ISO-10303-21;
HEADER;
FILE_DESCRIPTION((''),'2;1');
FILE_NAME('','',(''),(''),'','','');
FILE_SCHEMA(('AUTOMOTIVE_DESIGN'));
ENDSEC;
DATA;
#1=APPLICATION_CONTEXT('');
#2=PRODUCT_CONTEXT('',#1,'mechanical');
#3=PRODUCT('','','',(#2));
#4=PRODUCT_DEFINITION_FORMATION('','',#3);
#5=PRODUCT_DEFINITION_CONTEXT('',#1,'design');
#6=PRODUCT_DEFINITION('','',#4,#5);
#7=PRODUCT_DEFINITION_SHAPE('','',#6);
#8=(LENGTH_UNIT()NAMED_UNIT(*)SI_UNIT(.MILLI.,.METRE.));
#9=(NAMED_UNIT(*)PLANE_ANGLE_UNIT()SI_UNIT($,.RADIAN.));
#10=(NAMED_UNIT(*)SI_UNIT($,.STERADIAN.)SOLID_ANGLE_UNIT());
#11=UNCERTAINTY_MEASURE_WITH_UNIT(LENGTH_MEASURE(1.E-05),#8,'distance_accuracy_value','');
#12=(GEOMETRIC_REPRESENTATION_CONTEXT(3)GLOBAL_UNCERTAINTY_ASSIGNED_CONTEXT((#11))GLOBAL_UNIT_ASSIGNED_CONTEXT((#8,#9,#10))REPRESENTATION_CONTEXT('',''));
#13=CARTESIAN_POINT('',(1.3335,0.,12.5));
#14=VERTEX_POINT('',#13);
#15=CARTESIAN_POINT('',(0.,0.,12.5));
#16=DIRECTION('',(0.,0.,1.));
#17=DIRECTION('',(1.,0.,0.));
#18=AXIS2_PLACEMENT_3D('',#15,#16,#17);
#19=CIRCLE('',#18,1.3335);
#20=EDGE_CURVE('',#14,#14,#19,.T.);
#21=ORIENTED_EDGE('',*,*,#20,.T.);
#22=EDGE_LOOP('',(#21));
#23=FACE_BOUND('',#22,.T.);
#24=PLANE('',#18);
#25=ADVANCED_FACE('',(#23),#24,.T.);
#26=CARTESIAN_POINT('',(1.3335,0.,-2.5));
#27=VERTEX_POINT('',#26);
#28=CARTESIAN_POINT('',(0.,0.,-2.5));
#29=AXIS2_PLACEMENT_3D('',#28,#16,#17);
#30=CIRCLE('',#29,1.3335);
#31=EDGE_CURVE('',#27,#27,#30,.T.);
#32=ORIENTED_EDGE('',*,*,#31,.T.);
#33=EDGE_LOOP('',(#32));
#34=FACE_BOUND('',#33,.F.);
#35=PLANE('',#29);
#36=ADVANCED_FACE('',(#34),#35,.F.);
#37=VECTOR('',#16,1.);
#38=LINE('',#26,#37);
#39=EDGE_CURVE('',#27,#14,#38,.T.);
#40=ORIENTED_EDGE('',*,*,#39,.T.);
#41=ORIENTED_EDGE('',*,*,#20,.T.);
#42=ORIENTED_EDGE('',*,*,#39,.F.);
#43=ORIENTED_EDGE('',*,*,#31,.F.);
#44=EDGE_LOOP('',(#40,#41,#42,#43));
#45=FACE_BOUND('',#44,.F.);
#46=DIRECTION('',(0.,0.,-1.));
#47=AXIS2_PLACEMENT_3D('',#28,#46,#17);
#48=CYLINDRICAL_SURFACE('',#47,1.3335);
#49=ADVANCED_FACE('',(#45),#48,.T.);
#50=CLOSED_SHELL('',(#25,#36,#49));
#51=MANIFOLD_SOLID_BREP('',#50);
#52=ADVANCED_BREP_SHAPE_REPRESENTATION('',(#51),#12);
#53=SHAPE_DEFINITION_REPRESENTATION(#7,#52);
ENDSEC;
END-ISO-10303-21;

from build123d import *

# Parameters (mm, degrees)
CYLINDER_R     = 1.3335
CYLINDER_DEPTH = 15


with BuildPart() as part:
    # Cylinder → Cylinder (new body)
    with BuildSketch(Plane.XY.offset(-2.5)):
        Circle(CYLINDER_R)
    extrude(amount=CYLINDER_DEPTH)


solid = part.part
